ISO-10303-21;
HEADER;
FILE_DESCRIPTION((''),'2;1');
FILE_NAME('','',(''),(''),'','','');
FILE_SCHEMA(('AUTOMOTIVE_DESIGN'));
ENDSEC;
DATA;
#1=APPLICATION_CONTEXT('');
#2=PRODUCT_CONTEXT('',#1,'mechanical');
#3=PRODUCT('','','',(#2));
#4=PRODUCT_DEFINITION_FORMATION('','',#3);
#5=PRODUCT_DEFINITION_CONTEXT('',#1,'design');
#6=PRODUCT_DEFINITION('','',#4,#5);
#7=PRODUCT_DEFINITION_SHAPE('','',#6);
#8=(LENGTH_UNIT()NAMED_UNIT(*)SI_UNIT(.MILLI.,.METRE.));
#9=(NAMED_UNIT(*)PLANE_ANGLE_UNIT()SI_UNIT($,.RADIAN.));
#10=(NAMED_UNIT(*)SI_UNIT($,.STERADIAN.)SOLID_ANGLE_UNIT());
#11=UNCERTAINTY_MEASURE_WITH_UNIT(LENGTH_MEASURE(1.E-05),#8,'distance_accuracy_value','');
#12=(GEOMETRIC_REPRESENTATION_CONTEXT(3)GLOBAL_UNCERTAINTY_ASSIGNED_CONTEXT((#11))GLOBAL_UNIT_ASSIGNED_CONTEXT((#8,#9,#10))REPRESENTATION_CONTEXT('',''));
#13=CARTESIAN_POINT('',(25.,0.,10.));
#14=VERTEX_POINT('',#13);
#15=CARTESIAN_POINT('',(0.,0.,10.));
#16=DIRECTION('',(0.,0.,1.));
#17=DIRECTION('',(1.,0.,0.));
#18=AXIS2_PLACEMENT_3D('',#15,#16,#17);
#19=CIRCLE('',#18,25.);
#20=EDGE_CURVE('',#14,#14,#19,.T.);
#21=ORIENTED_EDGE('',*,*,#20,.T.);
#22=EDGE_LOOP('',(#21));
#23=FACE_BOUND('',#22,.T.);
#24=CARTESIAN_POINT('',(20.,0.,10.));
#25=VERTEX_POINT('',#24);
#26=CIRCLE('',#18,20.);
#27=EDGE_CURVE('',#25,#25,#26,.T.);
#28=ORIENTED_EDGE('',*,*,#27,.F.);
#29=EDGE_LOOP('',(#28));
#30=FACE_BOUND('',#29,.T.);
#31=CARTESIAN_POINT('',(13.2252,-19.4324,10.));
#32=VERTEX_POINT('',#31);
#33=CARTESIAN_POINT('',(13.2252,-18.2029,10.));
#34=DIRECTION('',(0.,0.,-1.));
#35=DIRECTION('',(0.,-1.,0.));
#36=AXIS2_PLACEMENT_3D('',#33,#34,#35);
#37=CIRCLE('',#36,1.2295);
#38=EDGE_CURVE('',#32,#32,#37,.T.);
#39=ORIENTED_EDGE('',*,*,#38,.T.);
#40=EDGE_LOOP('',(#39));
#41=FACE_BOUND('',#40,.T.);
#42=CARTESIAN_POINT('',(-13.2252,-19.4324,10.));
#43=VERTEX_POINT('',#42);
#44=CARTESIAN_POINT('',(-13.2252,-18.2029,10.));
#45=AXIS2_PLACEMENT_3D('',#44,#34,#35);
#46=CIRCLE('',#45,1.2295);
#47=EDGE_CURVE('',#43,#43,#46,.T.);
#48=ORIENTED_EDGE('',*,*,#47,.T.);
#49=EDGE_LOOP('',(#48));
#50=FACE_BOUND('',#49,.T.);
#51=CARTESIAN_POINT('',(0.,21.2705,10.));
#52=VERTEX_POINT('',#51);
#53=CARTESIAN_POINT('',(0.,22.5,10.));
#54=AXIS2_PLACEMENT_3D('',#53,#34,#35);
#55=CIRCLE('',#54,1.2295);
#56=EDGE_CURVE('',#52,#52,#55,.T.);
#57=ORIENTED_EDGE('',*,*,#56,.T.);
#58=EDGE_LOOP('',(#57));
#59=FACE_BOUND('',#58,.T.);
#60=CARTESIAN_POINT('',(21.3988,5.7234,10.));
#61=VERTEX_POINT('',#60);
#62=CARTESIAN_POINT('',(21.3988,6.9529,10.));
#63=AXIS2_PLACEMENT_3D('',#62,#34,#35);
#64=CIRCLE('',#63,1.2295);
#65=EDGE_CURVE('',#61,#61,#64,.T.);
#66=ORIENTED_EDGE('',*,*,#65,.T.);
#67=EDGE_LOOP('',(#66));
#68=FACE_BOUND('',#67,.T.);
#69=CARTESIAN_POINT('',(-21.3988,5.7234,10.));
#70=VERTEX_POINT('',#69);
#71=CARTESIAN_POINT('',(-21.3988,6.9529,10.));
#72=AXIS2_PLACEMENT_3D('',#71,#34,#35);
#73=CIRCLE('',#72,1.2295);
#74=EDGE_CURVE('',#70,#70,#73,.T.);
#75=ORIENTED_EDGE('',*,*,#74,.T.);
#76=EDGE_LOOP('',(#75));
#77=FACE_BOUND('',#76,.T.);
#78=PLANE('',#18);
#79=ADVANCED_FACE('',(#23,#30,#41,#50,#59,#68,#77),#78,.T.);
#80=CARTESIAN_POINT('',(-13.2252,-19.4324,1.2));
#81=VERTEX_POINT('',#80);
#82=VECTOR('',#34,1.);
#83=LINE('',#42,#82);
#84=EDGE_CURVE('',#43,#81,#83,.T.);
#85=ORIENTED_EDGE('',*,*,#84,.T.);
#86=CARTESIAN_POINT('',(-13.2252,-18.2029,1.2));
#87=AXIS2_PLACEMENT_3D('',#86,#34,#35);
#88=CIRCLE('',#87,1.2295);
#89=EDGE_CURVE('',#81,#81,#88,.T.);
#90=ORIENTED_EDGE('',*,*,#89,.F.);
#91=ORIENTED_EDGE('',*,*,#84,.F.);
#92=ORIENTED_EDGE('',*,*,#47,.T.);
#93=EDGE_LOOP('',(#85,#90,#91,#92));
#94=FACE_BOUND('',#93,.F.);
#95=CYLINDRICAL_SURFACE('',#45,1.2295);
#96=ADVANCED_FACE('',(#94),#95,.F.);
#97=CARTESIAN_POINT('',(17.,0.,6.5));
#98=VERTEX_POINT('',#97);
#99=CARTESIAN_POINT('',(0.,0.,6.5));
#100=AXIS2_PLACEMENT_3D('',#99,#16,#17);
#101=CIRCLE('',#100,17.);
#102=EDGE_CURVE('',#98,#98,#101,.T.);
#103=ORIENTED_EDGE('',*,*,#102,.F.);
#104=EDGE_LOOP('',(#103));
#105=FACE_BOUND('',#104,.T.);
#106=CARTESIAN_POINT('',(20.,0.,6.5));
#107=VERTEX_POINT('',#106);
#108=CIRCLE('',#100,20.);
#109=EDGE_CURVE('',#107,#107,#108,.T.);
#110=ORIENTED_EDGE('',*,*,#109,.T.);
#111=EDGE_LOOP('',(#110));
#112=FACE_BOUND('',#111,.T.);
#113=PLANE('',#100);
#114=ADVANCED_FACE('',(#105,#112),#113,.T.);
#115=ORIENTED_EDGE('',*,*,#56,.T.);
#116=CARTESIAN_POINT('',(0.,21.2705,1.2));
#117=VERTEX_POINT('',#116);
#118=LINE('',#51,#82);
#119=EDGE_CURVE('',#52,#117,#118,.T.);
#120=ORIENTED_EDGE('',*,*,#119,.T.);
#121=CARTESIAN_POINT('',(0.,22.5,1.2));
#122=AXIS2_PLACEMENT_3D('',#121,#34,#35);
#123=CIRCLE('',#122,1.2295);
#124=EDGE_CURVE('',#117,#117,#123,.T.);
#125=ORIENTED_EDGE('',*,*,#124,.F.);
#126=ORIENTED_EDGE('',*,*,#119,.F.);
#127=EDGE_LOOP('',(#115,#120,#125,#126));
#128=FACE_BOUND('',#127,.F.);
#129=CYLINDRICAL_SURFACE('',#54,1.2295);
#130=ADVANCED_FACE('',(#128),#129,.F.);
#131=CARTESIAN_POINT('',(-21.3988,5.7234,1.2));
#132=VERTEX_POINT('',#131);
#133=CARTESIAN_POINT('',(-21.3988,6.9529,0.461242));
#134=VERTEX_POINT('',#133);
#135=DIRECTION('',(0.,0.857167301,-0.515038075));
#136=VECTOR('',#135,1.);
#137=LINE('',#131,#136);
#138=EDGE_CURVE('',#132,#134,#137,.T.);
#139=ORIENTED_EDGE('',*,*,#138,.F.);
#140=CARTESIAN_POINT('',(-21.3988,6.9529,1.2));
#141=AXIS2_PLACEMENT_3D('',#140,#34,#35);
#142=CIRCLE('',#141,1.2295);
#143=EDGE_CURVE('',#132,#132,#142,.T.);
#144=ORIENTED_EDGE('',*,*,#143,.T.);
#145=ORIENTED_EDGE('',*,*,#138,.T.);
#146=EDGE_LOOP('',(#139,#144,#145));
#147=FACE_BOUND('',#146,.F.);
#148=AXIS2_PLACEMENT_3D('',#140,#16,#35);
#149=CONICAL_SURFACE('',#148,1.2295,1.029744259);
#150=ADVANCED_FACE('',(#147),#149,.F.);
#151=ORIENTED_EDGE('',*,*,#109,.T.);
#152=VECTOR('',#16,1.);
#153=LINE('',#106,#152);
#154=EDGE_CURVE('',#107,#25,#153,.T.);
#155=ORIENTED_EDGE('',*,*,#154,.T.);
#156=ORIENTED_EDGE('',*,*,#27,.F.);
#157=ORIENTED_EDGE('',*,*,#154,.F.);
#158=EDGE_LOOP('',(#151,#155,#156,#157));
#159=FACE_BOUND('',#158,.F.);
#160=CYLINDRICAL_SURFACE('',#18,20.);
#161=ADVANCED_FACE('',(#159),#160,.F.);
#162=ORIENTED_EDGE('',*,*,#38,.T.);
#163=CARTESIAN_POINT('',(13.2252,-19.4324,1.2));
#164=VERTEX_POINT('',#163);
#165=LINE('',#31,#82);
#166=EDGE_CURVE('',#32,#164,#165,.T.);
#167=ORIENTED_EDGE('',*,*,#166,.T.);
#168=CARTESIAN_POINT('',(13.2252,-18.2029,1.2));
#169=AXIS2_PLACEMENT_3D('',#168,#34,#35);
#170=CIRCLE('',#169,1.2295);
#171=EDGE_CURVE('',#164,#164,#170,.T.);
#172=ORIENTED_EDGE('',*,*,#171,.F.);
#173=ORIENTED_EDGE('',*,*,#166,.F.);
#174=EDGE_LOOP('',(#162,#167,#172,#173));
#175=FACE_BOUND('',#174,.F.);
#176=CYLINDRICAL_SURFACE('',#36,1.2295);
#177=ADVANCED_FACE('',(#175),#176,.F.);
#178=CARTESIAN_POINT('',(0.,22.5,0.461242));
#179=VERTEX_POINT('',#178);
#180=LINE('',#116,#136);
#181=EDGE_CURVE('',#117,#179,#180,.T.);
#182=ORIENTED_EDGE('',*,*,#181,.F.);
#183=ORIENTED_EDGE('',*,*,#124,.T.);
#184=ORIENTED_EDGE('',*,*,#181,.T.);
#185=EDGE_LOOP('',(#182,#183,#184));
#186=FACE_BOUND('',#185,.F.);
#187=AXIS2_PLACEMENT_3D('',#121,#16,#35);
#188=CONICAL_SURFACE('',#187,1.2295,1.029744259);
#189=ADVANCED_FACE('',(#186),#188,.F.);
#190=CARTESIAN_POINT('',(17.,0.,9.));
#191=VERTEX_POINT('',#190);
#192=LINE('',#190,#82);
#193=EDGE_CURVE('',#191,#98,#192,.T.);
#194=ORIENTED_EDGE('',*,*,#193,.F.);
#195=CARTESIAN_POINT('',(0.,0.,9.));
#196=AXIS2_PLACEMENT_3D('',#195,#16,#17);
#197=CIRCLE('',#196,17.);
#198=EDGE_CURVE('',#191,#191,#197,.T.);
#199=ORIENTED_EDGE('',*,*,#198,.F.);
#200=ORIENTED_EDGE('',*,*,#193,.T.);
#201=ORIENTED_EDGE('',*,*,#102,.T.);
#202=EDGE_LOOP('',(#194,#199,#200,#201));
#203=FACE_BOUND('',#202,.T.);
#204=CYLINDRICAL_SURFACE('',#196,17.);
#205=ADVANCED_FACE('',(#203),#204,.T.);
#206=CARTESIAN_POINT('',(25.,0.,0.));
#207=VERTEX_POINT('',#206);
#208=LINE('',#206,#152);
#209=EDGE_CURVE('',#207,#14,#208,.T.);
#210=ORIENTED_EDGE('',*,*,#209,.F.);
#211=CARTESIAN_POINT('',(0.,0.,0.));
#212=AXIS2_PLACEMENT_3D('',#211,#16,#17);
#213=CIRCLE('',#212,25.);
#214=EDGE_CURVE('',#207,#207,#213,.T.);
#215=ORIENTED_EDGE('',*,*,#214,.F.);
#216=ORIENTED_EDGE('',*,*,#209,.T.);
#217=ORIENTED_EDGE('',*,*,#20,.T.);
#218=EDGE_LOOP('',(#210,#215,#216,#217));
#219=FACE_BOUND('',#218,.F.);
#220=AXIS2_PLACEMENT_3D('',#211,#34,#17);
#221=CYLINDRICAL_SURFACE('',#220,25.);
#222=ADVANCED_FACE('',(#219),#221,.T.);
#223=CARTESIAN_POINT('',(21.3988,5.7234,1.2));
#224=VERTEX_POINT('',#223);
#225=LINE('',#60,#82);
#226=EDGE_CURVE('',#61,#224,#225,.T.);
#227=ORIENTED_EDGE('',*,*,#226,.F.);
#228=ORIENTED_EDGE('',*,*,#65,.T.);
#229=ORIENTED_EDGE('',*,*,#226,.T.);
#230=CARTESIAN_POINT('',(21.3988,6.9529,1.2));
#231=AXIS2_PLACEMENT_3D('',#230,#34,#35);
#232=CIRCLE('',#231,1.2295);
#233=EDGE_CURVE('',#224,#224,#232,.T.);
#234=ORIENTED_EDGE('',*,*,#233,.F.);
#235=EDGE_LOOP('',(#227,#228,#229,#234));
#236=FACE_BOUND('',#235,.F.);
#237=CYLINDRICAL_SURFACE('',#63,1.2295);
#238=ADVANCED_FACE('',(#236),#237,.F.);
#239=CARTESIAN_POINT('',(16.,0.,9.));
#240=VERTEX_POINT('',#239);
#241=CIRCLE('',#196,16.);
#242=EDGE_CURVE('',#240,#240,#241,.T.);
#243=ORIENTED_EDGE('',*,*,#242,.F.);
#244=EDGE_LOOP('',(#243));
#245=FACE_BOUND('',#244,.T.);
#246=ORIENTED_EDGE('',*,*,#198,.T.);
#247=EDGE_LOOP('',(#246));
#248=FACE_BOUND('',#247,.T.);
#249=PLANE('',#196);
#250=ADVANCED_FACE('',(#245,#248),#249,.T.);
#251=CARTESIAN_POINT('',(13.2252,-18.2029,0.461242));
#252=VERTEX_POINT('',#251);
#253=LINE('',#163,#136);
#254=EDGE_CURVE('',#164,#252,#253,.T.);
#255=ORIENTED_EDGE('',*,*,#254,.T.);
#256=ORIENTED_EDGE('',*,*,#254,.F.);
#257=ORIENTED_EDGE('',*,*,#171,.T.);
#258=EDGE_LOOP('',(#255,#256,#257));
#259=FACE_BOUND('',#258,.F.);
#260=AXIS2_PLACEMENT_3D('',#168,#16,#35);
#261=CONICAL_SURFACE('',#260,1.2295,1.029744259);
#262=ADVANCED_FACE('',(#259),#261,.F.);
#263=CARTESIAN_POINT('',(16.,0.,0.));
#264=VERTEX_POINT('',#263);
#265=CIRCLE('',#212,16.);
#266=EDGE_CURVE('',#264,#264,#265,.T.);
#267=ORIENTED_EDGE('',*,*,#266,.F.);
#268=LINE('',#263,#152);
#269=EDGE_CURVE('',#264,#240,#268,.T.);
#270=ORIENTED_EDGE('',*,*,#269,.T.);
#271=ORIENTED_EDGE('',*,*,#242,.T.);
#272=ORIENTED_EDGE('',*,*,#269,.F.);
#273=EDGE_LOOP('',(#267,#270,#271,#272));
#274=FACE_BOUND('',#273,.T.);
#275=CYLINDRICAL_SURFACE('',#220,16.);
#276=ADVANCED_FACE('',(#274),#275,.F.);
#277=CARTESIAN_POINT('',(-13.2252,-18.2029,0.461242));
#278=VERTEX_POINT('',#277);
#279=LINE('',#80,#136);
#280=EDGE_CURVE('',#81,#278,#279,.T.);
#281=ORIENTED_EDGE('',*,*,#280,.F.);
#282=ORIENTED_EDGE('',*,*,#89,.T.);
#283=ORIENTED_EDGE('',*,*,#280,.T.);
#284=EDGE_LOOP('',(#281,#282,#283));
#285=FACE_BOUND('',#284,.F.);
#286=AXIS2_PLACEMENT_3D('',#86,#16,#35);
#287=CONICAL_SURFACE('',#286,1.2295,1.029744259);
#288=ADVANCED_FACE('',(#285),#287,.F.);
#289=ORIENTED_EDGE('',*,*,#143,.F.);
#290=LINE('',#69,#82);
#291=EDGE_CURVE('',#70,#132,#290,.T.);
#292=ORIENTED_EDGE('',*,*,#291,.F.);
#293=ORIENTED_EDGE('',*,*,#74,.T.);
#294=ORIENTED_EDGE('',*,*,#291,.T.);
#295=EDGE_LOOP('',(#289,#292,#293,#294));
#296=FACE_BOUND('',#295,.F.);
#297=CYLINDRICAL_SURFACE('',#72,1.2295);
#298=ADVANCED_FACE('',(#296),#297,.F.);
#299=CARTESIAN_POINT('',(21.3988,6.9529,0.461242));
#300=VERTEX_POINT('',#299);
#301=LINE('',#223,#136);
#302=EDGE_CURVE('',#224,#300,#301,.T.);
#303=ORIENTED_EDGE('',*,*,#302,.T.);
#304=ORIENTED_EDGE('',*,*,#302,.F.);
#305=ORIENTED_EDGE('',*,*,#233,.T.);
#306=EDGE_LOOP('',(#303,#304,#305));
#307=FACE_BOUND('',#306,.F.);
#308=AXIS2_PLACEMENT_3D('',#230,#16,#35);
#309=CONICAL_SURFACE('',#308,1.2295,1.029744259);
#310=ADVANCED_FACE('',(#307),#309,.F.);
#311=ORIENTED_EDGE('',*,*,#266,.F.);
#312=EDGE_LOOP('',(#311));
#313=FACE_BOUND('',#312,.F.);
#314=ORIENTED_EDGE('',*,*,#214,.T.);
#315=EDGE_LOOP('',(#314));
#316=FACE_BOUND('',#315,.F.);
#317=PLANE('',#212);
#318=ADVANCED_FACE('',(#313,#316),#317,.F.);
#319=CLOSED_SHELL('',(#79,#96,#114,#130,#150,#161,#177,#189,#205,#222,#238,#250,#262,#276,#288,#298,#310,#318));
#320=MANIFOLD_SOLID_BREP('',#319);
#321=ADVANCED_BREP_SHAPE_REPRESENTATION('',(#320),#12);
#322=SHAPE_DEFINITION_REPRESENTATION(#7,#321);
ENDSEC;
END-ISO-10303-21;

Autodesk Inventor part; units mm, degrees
ref_plane "YZ Plane" through (0, 0, 0) normal (1, 0, 0) x (0, 1, 0)
ref_plane "XZ Plane" through (0, 0, 0) normal (0, 1, 0) x (-1, 0, 0)
ref_plane "XY Plane" through (0, 0, 0) normal (0, 0, 1) x (1, 0, 0)
sketch "Sketch2" plane through (0, 0, 0) normal (0, 0, 1) x (1, 0, 0)
  circle A0 centre (0, 0) radius 25
  circle A1 centre (0, 0) radius 16
  dimension "d0" = 50
  dimension "d1" = 32
extrude "Extrusion1" add sketch "Sketch2" along normal blind 10
sketch "Sketch3" plane through (0, 0, 10) normal (0, 0, 1) x (1, 0, 0)
  circle A0 centre (0, 0) radius 25 construction
  circle A1 centre (0, 0) radius 16 construction
  circle A2 centre (0, 0) radius 16
  circle A3 centre (0, 0) radius 20
  dimension "d4" = 4
extrude "Extrusion2" cut sketch "Sketch3" against normal blind 1
sketch "Sketch4" plane through (0, 0, 9) normal (0, 0, 1) x (1, 0, 0)
  circle A0 centre (0, 0) radius 20 construction
  circle A1 centre (0, 0) radius 16 construction
  circle A2 centre (0, 0) radius 20
  circle A3 centre (0, 0) radius 17
  dimension "d7" = 1
  dimension "d8" = 40
  dimension "d9" = 34
extrude "Extrusion3" cut sketch "Sketch4" against normal blind 2.5
sketch "Sketch5" plane through (0, 0, 10) normal (0, 0, 1) x (1, 0, 0)
  line L0 (0, 35) -> (0, -35) construction
  circle A0 centre (0, 0) radius 20 construction
  point P0 (0, 22.5)
  point P1 (-21.3988, 6.9529)
  point P2 (-13.2252, -18.2029)
  point P3 (13.2252, -18.2029)
  point P4 (21.3988, 6.9529)
  dimension "d12" = 22.5
  dimension "d15" = 360
hole "Hole1" at (-21.3988, 6.9529, 10) at (0, 22.5, 10) at (21.3988, 6.9529, 10) at (13.2252, -18.2029, 10) at (-13.2252, -18.2029, 10) direction (0, 0, -1) diameter 2.459 depth 8.8 tip angle 118 thread size "M3x0.5" class "6H" standard "ISO Metric profile"
properties part number "P029_BasEcranProtecCam"
